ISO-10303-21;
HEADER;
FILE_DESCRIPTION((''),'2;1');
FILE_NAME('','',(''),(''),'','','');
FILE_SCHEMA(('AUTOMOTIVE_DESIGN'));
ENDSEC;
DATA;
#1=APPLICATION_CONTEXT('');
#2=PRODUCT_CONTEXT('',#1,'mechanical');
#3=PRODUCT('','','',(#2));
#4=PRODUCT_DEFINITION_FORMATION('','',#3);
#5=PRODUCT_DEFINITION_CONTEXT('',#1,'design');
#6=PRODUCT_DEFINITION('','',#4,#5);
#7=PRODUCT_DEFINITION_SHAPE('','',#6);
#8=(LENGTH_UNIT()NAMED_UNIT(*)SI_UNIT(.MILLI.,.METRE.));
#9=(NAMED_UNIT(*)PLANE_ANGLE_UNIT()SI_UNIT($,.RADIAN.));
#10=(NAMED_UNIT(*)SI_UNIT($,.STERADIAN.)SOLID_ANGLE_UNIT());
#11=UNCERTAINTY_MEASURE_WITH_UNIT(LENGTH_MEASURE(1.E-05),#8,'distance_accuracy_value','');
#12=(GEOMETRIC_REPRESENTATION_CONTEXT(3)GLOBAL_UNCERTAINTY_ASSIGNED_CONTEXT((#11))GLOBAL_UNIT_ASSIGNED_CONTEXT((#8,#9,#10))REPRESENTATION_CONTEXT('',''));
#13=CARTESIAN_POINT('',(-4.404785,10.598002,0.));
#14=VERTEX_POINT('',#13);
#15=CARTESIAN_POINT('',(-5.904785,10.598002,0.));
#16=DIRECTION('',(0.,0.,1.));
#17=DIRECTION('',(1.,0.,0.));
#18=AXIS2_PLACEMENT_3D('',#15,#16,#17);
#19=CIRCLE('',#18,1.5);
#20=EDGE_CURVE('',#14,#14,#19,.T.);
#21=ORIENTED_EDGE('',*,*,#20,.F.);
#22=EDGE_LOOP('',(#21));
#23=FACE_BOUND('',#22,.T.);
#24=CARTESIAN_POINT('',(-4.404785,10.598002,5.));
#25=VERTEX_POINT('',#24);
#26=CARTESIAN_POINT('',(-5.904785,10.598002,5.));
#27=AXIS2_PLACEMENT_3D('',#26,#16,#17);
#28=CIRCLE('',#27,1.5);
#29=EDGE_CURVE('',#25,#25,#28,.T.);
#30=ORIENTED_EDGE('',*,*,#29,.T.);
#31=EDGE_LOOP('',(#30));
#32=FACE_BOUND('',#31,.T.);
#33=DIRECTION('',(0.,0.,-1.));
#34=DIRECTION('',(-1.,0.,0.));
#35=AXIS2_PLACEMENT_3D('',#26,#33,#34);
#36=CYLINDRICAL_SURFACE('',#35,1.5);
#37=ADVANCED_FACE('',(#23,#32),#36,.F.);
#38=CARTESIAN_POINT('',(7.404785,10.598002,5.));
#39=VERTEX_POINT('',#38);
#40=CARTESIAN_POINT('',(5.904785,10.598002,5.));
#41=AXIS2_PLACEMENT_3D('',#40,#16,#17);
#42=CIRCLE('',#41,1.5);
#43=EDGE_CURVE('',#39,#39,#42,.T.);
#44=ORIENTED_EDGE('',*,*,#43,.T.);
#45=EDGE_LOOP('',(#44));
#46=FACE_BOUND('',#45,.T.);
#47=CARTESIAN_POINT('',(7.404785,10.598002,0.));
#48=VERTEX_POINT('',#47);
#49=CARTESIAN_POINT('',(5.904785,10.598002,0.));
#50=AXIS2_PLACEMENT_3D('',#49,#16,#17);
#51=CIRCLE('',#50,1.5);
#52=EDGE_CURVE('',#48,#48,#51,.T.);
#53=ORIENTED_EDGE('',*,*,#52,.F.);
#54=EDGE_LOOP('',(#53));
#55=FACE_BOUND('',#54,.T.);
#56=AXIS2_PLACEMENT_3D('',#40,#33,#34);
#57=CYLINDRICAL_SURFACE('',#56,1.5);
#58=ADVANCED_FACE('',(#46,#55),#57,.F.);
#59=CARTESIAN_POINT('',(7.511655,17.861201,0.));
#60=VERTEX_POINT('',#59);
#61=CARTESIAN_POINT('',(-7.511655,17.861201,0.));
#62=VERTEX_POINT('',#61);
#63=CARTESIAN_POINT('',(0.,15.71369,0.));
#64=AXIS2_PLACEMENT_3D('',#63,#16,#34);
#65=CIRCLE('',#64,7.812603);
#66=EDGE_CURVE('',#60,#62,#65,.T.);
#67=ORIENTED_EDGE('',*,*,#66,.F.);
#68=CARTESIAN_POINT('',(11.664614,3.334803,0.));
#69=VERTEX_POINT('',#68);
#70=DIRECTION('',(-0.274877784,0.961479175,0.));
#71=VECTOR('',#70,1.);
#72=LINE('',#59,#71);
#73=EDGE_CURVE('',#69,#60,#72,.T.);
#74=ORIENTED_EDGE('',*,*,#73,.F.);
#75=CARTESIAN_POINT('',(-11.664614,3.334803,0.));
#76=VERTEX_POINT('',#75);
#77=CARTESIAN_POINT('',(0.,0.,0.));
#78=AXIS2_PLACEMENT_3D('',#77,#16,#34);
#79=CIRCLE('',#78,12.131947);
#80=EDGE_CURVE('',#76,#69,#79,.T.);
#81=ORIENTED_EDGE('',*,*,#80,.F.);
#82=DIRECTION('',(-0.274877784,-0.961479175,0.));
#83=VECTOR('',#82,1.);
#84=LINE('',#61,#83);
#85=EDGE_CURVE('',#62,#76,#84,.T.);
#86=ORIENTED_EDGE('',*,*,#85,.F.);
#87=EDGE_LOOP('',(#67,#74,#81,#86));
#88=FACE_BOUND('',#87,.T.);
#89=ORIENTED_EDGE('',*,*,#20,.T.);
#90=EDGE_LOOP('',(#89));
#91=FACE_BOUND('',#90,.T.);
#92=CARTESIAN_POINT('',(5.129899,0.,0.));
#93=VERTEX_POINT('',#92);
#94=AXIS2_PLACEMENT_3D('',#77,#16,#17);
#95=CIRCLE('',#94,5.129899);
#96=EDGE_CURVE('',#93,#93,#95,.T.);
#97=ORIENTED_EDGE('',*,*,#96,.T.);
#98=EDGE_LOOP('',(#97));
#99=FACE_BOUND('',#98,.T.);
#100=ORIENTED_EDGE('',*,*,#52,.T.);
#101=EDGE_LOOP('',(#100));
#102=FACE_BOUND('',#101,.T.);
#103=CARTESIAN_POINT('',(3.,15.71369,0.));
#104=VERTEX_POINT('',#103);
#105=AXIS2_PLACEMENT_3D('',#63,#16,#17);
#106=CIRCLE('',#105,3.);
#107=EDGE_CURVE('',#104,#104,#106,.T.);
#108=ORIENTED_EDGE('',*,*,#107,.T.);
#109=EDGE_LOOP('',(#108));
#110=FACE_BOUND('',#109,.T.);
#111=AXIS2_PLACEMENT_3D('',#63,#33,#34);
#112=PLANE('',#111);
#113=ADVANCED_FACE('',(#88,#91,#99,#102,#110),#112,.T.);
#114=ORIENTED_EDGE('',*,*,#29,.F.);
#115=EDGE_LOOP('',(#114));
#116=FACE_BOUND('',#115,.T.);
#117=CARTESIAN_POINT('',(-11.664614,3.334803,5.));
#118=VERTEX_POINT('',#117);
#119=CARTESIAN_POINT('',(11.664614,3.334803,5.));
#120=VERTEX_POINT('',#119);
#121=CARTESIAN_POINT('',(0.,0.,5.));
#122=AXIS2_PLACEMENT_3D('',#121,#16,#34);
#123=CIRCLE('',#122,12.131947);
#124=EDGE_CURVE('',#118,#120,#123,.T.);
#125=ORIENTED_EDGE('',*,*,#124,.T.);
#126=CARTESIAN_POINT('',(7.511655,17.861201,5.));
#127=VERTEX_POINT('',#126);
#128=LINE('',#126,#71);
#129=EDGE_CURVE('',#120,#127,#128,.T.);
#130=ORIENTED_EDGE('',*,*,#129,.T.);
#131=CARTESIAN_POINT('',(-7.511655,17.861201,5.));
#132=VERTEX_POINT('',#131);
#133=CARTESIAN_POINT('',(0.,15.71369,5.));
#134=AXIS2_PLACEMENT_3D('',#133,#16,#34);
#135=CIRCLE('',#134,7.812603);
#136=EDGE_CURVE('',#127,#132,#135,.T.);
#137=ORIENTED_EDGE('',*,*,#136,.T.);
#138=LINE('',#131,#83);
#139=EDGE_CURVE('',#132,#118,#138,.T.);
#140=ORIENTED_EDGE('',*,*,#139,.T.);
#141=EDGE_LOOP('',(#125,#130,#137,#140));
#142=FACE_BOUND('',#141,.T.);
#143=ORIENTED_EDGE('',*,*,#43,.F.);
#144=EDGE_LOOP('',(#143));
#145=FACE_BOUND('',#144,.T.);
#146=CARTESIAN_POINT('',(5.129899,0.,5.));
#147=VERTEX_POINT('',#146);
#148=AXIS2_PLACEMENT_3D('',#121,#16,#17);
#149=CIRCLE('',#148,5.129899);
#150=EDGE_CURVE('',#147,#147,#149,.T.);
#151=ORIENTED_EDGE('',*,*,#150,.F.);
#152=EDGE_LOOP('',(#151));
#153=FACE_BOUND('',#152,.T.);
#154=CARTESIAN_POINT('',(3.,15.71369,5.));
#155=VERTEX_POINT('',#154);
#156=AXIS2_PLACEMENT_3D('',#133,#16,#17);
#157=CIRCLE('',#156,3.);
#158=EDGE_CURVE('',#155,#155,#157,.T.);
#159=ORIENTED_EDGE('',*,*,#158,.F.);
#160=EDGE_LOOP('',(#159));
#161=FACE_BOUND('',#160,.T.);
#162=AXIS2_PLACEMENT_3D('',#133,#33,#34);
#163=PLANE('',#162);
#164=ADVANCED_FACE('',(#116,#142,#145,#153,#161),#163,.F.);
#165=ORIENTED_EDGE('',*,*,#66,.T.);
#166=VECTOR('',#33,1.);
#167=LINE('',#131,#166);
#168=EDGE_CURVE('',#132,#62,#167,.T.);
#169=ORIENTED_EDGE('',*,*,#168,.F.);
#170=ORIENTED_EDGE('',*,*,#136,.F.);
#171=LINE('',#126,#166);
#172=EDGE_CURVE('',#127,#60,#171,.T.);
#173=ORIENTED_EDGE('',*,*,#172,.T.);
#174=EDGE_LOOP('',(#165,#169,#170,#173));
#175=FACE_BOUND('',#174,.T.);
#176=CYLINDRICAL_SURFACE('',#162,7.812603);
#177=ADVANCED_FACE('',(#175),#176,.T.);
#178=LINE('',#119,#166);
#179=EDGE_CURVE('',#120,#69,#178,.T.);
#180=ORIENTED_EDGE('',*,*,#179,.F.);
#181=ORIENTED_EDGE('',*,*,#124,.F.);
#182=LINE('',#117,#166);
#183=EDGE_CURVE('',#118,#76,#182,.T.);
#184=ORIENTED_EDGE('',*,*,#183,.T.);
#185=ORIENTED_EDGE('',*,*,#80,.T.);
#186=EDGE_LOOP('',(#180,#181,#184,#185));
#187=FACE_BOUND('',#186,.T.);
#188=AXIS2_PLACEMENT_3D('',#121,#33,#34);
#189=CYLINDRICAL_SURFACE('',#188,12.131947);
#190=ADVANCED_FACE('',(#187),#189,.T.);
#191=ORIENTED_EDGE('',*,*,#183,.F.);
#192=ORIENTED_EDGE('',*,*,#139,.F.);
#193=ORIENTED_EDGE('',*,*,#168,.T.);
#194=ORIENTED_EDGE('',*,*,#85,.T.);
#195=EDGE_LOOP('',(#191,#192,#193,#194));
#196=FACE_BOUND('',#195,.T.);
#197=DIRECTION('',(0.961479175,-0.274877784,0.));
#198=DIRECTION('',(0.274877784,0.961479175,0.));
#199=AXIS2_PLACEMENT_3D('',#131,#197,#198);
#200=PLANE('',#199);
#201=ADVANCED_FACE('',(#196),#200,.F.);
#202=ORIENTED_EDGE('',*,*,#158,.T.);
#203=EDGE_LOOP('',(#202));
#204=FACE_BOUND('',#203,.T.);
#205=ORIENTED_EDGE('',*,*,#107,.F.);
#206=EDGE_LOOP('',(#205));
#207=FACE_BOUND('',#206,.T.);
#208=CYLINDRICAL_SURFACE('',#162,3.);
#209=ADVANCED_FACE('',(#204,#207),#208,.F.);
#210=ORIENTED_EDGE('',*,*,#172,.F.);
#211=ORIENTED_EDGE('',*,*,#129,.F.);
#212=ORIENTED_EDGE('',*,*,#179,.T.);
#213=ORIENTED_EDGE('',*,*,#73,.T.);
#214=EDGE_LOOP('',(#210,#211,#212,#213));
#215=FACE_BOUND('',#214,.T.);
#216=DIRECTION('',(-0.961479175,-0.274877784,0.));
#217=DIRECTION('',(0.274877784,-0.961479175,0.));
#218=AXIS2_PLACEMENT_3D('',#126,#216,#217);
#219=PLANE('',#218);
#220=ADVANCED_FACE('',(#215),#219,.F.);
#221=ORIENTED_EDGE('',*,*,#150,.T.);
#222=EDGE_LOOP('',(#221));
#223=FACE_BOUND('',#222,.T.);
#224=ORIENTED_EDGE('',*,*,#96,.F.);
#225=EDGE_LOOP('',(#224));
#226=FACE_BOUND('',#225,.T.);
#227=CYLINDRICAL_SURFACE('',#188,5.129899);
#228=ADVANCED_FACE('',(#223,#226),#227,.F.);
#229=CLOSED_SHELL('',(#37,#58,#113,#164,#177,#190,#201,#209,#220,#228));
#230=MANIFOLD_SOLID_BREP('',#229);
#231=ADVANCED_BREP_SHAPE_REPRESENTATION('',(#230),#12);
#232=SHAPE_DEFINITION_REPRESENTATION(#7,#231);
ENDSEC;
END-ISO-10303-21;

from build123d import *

# Parameters (mm, degrees)
ESQUISSE1_R        = 5.129898749
ESQUISSE1_R_2      = 3
ESQUISSE1_R_3      = 1.5
BOSS_EXTRU_1_DEPTH = 5


with BuildPart() as part:
    # Esquisse1 → Boss.-Extru.1 (new body)
    with BuildSketch(Plane.XY):
        with BuildLine():
            Line((7.511654648, 17.86120118), (11.664614312, 3.334802688))
            ThreePointArc((11.664614312, 3.334802688), (0, -12.131946918), (-11.664614312, 3.334802688))
            Line((-11.664614312, 3.334802688), (-7.511654648, 17.86120118))
            ThreePointArc((-7.511654648, 17.86120118), (0, 23.526292848), (7.511654648, 17.86120118))
        make_face()
        Circle(ESQUISSE1_R, mode=Mode.SUBTRACT)
        with Locations((0, 15.713690304)):
            Circle(ESQUISSE1_R_2, mode=Mode.SUBTRACT)
        with Locations((5.904785434, 10.598001934)):
            Circle(ESQUISSE1_R_3, mode=Mode.SUBTRACT)
        with Locations((-5.904785434, 10.598001934)):
            Circle(ESQUISSE1_R_3, mode=Mode.SUBTRACT)
    extrude(amount=BOSS_EXTRU_1_DEPTH)


solid = part.part
